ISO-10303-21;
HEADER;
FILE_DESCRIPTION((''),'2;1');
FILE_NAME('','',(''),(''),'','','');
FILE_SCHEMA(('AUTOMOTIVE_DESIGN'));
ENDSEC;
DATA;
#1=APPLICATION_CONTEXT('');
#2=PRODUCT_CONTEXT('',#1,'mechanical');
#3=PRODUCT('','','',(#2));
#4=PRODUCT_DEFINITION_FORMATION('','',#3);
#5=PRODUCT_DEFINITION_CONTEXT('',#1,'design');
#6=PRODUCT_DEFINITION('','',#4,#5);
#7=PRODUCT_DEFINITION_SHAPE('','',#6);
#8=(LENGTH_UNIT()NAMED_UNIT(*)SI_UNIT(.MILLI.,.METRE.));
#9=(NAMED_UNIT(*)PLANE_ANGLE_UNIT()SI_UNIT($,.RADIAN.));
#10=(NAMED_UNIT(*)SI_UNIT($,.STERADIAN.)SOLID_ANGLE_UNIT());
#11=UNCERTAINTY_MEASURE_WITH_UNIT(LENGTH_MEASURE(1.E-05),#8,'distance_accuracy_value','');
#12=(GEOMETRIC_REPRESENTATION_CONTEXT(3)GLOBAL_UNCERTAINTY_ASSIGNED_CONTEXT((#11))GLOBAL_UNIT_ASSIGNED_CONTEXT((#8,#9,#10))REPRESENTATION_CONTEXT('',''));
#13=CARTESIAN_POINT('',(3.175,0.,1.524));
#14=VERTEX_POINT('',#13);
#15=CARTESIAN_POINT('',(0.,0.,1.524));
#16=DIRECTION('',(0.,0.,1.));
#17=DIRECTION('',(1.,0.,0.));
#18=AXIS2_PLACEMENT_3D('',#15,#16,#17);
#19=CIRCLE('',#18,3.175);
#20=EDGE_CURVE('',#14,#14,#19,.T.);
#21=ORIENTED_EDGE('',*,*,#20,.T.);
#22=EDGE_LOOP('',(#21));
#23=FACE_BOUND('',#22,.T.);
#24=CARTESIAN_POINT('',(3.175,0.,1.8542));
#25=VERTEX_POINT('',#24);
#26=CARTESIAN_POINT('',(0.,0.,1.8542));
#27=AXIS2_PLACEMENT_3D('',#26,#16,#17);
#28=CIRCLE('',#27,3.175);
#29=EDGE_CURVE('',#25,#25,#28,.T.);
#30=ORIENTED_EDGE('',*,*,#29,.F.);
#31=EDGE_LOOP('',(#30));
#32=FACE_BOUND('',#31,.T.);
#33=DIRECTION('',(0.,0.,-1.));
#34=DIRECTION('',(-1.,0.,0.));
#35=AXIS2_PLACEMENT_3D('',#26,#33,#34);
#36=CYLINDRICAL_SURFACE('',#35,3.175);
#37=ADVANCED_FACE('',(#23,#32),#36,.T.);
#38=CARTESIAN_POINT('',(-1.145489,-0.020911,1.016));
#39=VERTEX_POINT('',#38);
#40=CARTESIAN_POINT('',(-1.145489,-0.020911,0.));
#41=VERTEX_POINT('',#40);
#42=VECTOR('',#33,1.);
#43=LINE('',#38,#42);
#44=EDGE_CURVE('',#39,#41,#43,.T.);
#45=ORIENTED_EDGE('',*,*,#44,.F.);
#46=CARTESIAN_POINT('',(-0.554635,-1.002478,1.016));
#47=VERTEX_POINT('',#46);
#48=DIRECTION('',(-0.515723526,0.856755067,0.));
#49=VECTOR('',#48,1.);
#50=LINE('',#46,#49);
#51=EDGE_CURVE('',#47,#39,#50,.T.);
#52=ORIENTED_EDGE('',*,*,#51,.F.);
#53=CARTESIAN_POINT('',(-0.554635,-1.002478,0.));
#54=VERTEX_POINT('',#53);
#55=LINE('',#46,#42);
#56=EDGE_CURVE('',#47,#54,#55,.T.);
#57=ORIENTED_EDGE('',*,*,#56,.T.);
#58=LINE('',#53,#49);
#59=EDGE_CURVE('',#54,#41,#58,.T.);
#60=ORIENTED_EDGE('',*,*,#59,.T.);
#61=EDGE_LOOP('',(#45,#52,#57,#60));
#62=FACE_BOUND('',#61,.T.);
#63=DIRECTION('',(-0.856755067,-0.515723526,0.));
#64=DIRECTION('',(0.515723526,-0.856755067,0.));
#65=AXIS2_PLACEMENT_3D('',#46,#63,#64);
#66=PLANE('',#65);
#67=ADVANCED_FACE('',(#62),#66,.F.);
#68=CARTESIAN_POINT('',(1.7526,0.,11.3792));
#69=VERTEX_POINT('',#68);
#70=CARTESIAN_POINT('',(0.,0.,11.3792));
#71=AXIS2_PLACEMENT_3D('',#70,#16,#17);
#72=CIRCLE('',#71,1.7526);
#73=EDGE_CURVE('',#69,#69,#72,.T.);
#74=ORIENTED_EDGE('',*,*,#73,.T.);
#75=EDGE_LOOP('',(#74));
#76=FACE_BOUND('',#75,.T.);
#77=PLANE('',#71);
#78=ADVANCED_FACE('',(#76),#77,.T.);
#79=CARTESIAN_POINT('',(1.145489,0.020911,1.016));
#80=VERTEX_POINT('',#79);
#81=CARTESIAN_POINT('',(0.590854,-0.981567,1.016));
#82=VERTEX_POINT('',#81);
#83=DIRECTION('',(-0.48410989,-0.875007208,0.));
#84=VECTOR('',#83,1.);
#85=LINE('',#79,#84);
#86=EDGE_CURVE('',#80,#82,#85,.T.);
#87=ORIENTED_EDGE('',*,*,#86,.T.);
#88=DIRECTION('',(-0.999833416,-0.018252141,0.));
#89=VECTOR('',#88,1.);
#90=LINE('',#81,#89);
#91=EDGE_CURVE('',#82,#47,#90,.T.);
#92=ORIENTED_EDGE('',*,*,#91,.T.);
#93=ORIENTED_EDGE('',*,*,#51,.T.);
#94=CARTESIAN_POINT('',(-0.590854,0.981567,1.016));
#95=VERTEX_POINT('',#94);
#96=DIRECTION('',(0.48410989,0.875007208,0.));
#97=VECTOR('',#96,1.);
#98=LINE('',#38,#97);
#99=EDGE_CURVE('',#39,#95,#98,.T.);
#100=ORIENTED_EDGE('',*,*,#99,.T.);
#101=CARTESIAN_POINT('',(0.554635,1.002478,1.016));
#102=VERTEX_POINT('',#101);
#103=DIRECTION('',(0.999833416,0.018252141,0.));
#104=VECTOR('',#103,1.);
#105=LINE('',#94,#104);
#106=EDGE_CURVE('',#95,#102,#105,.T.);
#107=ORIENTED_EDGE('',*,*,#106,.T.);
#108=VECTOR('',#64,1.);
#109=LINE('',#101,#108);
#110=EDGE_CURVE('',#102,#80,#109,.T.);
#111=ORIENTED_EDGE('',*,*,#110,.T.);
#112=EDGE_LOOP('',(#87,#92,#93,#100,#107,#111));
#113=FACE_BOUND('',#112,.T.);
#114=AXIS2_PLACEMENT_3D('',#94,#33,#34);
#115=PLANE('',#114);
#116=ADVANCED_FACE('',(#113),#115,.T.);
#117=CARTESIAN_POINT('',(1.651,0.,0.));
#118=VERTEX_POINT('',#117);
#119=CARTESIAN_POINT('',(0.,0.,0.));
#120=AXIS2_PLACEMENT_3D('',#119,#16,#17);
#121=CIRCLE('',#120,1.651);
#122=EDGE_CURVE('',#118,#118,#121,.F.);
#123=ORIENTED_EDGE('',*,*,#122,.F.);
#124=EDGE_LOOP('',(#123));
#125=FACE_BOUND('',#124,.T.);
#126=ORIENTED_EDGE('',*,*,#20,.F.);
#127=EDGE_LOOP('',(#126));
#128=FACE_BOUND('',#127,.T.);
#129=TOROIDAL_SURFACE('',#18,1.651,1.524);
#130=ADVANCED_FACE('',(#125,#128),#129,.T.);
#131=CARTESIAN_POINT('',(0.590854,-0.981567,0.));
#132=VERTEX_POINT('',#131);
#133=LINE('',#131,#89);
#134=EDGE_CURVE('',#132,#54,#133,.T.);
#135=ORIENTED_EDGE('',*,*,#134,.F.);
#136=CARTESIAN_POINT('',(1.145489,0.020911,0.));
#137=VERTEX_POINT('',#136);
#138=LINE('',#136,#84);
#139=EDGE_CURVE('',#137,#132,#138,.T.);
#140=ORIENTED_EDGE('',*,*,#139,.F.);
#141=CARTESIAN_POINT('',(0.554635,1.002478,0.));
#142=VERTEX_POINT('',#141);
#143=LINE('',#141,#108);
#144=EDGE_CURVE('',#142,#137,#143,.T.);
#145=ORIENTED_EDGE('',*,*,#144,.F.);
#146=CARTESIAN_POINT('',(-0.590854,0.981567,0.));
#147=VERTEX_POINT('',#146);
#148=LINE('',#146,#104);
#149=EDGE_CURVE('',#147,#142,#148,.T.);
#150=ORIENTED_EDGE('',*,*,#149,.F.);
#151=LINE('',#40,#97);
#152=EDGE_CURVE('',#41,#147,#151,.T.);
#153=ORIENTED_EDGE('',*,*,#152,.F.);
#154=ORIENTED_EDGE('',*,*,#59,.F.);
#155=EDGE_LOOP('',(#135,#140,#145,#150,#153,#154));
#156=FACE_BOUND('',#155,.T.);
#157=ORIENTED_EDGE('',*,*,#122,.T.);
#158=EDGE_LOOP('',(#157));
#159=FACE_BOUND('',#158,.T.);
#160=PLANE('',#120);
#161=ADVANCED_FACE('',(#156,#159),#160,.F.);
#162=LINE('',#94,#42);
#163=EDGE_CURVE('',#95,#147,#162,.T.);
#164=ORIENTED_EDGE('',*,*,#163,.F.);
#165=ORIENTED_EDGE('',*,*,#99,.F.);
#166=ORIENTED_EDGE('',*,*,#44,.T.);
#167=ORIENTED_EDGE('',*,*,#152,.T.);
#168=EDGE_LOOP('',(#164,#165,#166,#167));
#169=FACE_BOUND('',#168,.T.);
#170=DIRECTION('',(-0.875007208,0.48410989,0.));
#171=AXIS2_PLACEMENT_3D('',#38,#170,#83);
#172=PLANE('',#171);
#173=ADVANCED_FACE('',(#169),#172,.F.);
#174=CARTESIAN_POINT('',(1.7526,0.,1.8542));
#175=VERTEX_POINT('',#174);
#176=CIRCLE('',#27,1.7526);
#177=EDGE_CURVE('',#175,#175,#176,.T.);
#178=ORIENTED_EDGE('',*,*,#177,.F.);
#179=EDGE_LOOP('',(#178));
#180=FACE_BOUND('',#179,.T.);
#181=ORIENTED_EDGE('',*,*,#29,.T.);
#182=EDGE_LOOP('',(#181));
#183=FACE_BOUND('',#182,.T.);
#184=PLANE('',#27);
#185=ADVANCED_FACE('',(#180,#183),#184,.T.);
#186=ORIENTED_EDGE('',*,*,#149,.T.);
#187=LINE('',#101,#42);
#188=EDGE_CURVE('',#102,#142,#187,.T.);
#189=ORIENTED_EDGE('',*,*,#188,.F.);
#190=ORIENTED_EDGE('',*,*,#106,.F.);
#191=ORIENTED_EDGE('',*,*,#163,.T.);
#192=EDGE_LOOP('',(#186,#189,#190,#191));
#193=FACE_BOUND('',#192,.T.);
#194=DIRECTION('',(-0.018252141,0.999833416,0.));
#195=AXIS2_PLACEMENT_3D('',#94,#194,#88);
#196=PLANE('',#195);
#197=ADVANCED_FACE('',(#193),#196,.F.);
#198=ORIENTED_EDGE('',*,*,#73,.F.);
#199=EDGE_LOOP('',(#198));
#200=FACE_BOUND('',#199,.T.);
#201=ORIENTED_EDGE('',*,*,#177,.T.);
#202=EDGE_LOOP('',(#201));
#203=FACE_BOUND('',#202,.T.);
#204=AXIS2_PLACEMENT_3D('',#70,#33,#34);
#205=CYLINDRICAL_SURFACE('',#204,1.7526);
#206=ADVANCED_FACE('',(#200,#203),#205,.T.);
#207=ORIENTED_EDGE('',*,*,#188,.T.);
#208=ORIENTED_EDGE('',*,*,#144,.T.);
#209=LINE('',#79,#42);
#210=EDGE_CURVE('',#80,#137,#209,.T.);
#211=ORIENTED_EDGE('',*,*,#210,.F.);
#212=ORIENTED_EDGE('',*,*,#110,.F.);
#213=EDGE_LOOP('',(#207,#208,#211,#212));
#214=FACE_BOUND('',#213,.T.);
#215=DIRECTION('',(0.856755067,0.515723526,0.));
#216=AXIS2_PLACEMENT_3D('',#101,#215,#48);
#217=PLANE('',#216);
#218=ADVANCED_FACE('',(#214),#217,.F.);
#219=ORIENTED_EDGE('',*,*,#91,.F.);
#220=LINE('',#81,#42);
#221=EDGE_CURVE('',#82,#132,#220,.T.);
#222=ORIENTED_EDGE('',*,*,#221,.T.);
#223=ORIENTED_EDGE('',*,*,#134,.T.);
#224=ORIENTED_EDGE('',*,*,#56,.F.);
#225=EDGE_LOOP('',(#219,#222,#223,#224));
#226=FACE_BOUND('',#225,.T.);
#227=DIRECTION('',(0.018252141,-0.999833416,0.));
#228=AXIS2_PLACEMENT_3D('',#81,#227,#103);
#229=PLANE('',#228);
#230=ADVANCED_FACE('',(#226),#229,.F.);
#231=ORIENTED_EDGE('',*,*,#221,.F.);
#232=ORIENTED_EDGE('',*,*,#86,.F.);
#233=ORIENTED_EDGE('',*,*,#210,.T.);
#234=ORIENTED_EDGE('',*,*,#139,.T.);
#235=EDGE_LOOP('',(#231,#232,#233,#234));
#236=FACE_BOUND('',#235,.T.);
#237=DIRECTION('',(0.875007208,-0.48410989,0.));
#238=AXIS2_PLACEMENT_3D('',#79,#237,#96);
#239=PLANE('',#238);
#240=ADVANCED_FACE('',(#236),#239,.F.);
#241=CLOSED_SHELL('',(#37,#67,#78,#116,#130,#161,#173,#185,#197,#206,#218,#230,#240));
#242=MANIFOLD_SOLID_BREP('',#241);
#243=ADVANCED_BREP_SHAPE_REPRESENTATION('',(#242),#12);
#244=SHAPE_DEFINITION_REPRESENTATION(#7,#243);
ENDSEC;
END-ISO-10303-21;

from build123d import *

# Parameters (mm, degrees)
SKETCH1_R      = 3.175
EXTRUDE1_DEPTH = 1.8542
FILLET1_R      = 1.524
SKETCH2_R      = 1.7526
EXTRUDE2_DEPTH = 9.525
EXTRUDE3_DEPTH = 1.016


with BuildPart() as part:
    # Sketch1 → Extrude1 (new body)
    with BuildSketch(Plane.XY):
        Circle(SKETCH1_R)
    extrude(amount=EXTRUDE1_DEPTH)

    # Fillet1
    fillet1_edges = [part.edges().sort_by_distance(p)[0] for p in [
        (-3.175, 0, 0),
    ]]
    fillet(fillet1_edges, radius=FILLET1_R)

    # Sketch2 → Extrude2 (add)
    with BuildSketch(Plane.XY.offset(1.8542)):
        Circle(SKETCH2_R)
    extrude(amount=EXTRUDE2_DEPTH)

    # Sketch3 → Extrude3 (cut)
    with BuildSketch(Plane(origin=(0, 0, 0), x_dir=(-1, 0, 0), z_dir=(0, 0, -1))):
        Polygon((0.59085384, 0.981566666), (-0.554634748, 1.002477769), (-1.145488588, 0.020911103), (-0.59085384, -0.981566666), (0.554634748, -1.002477769), (1.145488588, -0.020911103), align=None)
    extrude(amount=-EXTRUDE3_DEPTH, mode=Mode.SUBTRACT)


solid = part.part
